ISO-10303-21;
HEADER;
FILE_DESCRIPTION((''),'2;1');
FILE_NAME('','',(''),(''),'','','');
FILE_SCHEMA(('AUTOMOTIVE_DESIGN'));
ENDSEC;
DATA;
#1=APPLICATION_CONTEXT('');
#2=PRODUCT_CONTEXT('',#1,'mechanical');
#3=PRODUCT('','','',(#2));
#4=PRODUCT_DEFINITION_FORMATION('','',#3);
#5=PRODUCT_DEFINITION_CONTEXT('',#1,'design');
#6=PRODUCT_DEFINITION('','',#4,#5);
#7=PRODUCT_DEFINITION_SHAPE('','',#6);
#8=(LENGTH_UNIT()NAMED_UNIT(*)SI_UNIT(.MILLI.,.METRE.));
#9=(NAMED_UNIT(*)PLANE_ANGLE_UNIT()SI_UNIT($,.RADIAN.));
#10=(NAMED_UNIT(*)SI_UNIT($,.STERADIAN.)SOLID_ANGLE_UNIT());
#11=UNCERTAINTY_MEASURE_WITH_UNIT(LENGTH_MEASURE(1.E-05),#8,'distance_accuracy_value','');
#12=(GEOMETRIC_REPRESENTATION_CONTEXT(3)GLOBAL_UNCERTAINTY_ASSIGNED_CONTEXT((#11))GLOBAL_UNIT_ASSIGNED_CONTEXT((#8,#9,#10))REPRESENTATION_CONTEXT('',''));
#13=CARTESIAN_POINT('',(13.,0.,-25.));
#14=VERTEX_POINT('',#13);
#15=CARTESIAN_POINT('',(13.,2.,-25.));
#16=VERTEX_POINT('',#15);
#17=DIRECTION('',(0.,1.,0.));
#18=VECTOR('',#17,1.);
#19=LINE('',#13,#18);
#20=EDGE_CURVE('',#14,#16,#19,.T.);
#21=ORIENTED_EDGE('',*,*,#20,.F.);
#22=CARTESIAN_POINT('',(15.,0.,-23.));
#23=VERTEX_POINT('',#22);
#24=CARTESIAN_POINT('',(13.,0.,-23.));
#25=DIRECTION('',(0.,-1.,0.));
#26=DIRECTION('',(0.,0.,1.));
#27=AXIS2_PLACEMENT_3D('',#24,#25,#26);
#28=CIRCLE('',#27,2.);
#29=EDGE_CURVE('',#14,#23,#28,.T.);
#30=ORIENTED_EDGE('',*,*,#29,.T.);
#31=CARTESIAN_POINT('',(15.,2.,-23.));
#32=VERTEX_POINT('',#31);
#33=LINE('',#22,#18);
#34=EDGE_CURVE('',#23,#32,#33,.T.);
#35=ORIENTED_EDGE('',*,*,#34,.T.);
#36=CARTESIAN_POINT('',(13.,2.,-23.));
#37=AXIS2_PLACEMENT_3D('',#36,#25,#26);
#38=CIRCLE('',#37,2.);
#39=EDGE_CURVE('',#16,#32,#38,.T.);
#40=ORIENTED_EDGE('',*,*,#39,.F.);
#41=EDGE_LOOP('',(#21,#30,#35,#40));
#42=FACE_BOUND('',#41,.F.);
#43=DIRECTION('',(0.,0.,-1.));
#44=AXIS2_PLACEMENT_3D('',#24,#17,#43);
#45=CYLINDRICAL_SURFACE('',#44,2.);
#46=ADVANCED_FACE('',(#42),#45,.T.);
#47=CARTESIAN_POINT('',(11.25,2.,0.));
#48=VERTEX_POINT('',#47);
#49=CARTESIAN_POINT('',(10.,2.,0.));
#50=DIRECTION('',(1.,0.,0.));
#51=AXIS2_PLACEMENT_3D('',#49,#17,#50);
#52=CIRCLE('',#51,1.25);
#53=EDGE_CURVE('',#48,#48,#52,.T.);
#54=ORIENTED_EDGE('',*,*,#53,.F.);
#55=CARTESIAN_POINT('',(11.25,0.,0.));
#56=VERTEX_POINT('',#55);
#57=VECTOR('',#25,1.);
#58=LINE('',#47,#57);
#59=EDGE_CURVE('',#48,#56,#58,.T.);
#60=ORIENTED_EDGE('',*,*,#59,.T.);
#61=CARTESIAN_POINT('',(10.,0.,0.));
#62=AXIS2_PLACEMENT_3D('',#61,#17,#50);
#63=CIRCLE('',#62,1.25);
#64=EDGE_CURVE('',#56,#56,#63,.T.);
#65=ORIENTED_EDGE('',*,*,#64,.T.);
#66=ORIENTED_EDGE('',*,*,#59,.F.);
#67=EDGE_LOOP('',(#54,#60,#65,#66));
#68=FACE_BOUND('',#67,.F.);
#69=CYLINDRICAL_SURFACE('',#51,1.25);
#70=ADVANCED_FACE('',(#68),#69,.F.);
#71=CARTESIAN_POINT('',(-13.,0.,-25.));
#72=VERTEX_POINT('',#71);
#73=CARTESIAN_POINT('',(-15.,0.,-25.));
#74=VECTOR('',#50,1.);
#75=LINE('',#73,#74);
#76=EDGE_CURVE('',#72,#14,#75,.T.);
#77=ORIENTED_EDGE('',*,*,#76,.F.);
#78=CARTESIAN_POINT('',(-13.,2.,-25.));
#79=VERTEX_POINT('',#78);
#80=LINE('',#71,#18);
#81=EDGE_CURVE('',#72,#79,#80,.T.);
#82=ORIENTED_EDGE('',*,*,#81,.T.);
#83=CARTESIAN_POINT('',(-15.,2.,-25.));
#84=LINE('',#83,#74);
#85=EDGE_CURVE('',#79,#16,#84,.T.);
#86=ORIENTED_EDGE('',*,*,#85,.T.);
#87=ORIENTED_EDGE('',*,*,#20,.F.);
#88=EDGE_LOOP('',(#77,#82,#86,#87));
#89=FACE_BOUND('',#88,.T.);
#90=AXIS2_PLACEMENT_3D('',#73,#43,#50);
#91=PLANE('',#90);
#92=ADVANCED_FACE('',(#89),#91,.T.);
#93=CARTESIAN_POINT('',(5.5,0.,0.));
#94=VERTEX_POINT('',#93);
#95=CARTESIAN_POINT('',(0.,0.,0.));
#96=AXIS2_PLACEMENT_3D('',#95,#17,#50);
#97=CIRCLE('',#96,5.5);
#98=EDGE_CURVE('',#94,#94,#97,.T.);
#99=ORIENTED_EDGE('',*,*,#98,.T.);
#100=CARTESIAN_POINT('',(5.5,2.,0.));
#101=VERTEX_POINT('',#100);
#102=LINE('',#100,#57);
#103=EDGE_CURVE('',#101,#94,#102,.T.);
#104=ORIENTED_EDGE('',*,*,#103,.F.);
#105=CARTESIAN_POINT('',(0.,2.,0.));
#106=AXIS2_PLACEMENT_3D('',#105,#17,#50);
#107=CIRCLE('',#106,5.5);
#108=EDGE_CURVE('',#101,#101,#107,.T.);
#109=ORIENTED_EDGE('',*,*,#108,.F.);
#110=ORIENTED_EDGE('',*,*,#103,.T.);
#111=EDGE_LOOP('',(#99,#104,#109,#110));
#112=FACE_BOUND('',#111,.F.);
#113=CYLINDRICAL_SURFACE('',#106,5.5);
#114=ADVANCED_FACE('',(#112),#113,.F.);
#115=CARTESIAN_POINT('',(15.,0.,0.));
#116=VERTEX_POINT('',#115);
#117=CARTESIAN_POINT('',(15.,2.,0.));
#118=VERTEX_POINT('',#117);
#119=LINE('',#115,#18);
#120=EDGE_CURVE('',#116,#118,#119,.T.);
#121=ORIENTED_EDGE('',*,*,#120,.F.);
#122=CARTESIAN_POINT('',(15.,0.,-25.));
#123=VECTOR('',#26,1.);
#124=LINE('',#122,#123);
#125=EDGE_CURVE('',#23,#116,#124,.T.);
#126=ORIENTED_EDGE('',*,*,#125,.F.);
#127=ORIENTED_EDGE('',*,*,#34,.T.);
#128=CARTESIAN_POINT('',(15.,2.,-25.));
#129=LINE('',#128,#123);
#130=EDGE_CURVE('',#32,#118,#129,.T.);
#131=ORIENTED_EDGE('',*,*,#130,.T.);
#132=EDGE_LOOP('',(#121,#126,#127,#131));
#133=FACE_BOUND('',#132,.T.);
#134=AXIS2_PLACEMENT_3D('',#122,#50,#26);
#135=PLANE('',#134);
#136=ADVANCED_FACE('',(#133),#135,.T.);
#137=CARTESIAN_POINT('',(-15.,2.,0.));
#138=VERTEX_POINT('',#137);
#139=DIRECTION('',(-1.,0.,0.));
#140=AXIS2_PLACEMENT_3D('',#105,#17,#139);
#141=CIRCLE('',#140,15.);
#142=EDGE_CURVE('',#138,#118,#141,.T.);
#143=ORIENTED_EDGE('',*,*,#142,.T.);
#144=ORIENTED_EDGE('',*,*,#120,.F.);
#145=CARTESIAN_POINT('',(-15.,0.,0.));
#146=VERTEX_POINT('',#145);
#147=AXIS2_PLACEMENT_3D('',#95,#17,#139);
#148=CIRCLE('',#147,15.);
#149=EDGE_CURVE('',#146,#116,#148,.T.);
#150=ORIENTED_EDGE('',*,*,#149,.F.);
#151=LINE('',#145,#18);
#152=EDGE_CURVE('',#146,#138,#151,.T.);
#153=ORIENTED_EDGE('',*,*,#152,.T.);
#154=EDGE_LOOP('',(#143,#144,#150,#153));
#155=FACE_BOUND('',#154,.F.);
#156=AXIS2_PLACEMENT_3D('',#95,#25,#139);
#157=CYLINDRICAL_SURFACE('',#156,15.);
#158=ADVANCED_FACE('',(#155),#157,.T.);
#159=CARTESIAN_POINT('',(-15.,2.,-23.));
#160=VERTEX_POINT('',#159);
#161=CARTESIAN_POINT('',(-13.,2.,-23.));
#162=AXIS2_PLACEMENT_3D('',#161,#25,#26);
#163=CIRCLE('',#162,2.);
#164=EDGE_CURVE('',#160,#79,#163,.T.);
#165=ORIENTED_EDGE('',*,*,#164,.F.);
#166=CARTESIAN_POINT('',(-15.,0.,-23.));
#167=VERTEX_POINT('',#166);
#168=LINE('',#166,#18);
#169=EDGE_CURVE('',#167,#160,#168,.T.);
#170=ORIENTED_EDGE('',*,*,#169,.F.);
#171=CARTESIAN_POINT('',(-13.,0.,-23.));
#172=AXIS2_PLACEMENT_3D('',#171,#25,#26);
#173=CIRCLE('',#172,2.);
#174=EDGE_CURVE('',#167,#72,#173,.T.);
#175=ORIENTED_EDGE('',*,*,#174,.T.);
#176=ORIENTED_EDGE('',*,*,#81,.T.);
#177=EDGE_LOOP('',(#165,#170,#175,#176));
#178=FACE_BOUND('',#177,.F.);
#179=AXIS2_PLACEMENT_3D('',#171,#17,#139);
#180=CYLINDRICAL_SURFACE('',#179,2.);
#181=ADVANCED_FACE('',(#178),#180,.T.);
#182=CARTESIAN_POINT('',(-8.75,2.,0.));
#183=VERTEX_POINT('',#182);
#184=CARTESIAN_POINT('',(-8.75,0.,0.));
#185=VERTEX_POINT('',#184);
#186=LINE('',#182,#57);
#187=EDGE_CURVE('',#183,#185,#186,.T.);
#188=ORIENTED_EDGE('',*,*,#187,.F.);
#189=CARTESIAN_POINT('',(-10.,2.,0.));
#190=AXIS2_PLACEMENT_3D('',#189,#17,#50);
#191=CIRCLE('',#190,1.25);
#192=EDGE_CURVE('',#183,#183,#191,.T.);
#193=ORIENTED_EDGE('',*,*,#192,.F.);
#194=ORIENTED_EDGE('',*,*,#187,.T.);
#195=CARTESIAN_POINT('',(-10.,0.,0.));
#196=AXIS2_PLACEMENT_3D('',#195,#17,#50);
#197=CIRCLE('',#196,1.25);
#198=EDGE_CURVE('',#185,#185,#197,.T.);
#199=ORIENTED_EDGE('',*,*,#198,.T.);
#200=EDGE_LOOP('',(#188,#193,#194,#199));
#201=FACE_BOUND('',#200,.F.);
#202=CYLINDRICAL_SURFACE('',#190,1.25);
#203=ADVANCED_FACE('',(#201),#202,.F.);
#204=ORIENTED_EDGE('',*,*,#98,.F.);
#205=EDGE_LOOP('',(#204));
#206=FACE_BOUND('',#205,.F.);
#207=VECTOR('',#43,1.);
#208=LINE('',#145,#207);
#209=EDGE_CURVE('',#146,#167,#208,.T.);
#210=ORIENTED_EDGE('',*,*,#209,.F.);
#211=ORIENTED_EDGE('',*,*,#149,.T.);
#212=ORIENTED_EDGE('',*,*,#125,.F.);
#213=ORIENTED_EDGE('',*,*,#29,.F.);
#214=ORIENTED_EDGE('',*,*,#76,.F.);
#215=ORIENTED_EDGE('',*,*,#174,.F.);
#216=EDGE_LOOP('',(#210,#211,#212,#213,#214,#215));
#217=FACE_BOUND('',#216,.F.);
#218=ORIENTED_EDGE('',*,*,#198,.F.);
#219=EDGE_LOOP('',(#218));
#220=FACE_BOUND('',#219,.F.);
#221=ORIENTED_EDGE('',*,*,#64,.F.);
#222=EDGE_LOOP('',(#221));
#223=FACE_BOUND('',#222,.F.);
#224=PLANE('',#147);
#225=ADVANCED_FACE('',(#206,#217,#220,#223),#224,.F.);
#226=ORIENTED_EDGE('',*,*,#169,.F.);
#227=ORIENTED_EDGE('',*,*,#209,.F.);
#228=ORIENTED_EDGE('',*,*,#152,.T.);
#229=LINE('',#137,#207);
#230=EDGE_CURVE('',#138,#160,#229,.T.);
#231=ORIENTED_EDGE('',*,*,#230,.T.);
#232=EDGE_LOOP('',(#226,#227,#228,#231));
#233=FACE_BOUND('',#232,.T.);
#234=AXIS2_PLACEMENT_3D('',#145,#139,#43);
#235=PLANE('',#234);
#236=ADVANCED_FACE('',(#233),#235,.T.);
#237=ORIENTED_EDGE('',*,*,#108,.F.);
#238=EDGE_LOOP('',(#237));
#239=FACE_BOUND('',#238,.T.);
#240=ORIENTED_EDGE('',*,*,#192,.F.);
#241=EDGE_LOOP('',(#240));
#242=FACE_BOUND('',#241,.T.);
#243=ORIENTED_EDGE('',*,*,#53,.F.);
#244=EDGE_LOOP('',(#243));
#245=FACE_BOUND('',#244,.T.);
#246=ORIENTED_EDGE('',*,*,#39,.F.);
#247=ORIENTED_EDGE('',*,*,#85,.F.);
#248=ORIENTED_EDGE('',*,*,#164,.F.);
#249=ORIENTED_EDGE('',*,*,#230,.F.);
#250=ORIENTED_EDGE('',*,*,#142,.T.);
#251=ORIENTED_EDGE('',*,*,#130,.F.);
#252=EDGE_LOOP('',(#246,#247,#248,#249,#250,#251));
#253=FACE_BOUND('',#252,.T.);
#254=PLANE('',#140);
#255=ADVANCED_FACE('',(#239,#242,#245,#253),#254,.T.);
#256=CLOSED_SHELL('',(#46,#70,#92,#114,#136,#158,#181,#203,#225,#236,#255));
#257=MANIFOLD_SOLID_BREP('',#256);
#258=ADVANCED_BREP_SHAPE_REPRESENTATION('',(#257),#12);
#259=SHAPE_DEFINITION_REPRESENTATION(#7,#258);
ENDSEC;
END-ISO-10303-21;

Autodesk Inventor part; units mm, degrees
ref_plane "YZ Plane" through (0, 0, 0) normal (1, 0, 0) x (0, 1, 0)
ref_plane "XZ Plane" through (0, 0, 0) normal (0, 1, 0) x (-1, 0, 0)
ref_plane "XY Plane" through (0, 0, 0) normal (0, 0, 1) x (1, 0, 0)
sketch "Esquisse1" plane through (0, 0, 0) normal (0, 1, 0) x (-1, 0, 0)
  arc A0 (15, 0) -> (-15, 0) centre (0, 0) ccw
  line L0 (-15, 0) -> (15, 0) construction
  line L1 (15, 0) -> (15, -25)
  line L2 (15, -25) -> (-15, -25)
  line L3 (-15, -25) -> (-15, 0)
  arc A1 (-15, 0) -> (15, 0) centre (0, 0) ccw construction
  dimension "d0" = 30
  dimension "d1" = 25
extrude "Extrusion1" add sketch "Esquisse1" along normal blind 2
sketch "Esquisse2" plane through (0, 2, 0) normal (0, 1, 0) x (1, 0, 0)
  arc A0 (-15, 0) -> (15, 0) centre (0, 0) ccw projected
  line L0 (15, 25) -> (-15, 25) projected
  circle A1 centre (-10, 0) radius 1.25
  circle A2 centre (10, 0) radius 1.25
  line L1 (0, 0) -> (0, 25) construction
  line L2 (0, 0) -> (-15, 0) construction
  dimension "d4" = 2.5
  dimension "d5" = 10
extrude "Extrusion2" cut sketch "Esquisse2" against normal through all
sketch "Esquisse3" plane through (0, 2, 0) normal (0, 1, 0) x (1, 0, 0)
  arc A0 (-15, 0) -> (15, 0) centre (0, 0) ccw projected
  circle A1 centre (0, 0) radius 5.5
  dimension "d8" = 11
extrude "Extrusion3" cut sketch "Esquisse3" against normal through all
fillet "Congé1" radius 2 2 edges at (-15, 1, -25) (15, 1, -25)
properties part number "encoder_fixation"
